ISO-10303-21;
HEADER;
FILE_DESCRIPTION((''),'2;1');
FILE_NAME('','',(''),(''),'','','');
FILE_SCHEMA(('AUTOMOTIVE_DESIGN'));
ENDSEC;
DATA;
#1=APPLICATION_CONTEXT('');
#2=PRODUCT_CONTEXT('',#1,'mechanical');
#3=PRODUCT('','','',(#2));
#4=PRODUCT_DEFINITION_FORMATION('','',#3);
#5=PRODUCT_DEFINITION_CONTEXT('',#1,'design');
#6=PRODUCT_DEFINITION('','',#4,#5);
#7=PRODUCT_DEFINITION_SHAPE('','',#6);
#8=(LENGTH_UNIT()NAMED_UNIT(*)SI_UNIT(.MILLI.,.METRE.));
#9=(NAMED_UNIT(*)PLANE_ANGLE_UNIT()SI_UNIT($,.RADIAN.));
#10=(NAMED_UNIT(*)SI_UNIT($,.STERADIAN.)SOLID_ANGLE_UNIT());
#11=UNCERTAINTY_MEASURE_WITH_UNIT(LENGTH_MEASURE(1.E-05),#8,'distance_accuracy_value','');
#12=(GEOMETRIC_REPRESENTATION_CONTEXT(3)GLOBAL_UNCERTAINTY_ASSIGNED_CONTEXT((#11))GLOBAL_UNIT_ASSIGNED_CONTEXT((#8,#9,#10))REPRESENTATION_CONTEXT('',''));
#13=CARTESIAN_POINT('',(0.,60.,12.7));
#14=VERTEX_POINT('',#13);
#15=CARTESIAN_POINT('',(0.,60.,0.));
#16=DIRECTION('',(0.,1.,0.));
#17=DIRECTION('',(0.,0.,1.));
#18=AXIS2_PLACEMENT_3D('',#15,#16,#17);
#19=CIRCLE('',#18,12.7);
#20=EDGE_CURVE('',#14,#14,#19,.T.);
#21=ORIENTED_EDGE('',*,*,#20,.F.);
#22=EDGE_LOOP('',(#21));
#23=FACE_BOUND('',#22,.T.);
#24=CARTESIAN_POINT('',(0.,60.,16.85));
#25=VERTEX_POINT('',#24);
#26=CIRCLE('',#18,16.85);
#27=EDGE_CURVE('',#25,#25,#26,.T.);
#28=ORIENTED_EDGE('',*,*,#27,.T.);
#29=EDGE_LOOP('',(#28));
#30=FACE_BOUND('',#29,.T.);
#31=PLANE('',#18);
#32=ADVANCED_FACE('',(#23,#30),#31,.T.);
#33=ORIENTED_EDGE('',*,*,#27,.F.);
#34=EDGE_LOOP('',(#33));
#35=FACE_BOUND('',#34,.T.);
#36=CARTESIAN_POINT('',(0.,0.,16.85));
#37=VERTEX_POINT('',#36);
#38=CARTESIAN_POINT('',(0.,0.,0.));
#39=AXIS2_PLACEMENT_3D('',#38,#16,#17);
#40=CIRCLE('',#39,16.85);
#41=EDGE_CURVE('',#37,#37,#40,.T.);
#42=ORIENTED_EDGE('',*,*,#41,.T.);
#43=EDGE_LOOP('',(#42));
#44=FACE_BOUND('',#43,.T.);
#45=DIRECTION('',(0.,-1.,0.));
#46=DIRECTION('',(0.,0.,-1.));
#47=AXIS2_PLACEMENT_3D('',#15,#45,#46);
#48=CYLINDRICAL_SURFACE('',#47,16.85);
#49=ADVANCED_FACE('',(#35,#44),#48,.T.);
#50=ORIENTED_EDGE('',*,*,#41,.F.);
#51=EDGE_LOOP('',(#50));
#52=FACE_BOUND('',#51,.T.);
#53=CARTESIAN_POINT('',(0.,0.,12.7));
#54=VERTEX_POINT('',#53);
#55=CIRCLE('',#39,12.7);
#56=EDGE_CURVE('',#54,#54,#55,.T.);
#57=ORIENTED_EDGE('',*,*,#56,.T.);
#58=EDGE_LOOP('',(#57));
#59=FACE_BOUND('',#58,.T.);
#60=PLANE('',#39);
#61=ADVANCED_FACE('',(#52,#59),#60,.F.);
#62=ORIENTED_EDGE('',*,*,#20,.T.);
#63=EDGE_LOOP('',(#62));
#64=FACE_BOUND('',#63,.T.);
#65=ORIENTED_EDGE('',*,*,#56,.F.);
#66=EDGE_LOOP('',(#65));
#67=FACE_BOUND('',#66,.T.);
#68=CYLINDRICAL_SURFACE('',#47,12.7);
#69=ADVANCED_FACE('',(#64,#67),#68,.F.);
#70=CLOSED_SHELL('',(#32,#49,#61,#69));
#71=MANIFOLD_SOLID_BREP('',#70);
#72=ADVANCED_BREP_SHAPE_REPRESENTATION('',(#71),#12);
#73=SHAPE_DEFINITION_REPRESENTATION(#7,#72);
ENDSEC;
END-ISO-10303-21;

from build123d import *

# Parameters (mm, degrees)
SZKIC1_R                    = 16.85
SZKIC1_R_2                  = 12.7
DODANIE_WYCI_GNI_CIE1_DEPTH = 60


with BuildPart() as part:
    # Szkic1 → Dodanie-wyciągnięcie1 (new body)
    with BuildSketch(Plane(origin=(0, 0, 0), x_dir=(1, 0, 0), z_dir=(0, 1, 0))):
        with Locations(Location((0, 0, 0), (0, 0, 270))):
            Circle(SZKIC1_R)
        with Locations(Location((0, 0, 0), (0, 0, 270))):
            Circle(SZKIC1_R_2, mode=Mode.SUBTRACT)
    extrude(amount=DODANIE_WYCI_GNI_CIE1_DEPTH)


solid = part.part
